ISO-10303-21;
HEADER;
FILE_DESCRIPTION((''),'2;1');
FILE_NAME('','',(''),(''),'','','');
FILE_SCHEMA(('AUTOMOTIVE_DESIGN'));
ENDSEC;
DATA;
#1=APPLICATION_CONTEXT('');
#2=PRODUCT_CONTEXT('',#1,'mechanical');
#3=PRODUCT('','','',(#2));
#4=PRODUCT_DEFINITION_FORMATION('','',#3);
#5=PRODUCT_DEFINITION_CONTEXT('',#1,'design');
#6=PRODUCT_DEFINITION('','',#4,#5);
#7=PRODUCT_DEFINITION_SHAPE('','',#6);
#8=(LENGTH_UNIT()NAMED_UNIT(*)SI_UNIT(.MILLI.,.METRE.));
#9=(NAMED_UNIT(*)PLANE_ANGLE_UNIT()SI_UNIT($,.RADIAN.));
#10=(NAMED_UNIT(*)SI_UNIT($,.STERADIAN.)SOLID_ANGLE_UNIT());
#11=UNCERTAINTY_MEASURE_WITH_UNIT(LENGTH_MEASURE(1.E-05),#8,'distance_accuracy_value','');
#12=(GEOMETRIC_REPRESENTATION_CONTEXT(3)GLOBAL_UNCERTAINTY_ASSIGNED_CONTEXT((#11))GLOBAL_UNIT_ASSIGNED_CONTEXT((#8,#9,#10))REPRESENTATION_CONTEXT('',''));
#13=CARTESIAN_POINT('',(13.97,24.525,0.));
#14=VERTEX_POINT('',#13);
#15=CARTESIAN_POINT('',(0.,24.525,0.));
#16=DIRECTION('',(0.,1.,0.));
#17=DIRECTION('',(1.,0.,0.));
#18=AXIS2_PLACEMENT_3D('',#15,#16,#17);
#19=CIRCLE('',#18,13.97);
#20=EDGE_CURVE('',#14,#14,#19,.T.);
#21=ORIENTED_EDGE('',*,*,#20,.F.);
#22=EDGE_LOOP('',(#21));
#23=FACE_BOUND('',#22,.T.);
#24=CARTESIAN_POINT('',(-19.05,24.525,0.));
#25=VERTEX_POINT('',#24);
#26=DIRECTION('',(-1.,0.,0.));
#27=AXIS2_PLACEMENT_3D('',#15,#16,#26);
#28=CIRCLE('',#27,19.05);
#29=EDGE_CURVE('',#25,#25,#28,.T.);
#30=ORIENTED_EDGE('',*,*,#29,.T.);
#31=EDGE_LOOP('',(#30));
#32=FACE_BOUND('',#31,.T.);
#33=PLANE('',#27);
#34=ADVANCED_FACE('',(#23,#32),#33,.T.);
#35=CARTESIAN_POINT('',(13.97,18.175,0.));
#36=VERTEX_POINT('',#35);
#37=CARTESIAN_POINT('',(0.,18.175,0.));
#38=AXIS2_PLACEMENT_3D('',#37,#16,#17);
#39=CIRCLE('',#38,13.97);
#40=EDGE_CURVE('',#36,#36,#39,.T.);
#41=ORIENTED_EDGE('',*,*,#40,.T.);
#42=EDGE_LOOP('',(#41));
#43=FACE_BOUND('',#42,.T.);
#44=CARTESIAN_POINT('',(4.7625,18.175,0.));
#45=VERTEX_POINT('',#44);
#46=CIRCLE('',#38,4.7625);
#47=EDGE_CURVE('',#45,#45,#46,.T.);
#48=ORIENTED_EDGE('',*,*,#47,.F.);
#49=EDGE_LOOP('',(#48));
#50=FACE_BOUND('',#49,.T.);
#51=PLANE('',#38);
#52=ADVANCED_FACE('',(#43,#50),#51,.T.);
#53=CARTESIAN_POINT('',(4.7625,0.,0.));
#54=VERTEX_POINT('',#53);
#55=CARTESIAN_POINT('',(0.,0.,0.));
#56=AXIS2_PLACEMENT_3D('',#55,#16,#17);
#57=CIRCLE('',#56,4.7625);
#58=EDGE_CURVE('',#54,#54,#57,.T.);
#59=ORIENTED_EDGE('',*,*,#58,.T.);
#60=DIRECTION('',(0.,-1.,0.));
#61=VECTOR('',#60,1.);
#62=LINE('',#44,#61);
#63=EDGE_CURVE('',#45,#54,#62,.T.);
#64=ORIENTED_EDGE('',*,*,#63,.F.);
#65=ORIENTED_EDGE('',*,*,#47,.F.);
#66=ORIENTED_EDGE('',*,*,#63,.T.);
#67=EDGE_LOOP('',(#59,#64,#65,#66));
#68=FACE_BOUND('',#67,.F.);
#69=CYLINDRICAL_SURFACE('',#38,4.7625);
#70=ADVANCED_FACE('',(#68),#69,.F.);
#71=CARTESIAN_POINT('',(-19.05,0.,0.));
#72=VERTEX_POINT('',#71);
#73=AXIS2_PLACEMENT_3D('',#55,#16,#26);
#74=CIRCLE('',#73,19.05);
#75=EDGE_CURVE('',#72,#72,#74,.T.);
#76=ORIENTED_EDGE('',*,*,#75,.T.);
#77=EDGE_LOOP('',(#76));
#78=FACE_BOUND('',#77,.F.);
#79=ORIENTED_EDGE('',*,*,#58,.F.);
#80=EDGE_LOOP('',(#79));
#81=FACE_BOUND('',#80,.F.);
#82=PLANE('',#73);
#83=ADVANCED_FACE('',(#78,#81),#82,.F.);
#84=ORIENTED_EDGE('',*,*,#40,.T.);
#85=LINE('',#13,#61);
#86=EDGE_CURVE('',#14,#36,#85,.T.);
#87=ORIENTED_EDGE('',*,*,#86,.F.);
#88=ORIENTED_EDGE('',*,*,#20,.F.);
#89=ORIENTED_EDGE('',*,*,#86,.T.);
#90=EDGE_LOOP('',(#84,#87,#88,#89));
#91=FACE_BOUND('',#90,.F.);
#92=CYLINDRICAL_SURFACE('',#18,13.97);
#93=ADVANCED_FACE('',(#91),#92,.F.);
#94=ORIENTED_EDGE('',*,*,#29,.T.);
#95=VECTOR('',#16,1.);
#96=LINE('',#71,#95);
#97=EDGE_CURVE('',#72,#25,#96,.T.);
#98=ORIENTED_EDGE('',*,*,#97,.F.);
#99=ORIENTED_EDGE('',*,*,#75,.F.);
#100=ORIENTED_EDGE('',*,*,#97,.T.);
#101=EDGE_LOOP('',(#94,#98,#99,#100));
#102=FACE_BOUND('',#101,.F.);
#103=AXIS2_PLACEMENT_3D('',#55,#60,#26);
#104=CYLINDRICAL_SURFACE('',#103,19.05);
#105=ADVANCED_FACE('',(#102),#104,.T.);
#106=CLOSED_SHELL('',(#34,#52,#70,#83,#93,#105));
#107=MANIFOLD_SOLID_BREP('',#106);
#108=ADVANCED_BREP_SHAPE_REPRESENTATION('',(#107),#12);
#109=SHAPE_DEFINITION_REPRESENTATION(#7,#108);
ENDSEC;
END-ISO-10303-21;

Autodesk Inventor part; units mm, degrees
ref_plane "YZ Plane" through (0, 0, 0) normal (1, 0, 0) x (0, 1, 0)
ref_plane "XZ Plane" through (0, 0, 0) normal (0, 1, 0) x (-1, 0, 0)
ref_plane "XY Plane" through (0, 0, 0) normal (0, 0, 1) x (1, 0, 0)
sketch "Sketch1" plane through (0, 0, 0) normal (0, 1, 0) x (-1, 0, 0)
  circle A0 centre (0, 0) radius 19.05
  dimension "d0" = 38.1
extrude "Extrusion1" add sketch "Sketch1" along normal blind 24.525
sketch "Sketch2" plane through (0, 24.525, 0) normal (0, 1, 0) x (1, 0, 0)
  circle A0 centre (0, 0) radius 13.97
  dimension "d3" = 27.94
extrude "Extrusion2" cut sketch "Sketch2" against normal blind 6.35
sketch "Sketch3" plane through (0, 18.175, 0) normal (0, 1, 0) x (1, 0, 0)
  circle A0 centre (0, 0) radius 4.7625
  dimension "d6" = 9.525
extrude "Extrusion3" cut sketch "Sketch3" against normal blind 20
properties part number "catch clamp adapter"
